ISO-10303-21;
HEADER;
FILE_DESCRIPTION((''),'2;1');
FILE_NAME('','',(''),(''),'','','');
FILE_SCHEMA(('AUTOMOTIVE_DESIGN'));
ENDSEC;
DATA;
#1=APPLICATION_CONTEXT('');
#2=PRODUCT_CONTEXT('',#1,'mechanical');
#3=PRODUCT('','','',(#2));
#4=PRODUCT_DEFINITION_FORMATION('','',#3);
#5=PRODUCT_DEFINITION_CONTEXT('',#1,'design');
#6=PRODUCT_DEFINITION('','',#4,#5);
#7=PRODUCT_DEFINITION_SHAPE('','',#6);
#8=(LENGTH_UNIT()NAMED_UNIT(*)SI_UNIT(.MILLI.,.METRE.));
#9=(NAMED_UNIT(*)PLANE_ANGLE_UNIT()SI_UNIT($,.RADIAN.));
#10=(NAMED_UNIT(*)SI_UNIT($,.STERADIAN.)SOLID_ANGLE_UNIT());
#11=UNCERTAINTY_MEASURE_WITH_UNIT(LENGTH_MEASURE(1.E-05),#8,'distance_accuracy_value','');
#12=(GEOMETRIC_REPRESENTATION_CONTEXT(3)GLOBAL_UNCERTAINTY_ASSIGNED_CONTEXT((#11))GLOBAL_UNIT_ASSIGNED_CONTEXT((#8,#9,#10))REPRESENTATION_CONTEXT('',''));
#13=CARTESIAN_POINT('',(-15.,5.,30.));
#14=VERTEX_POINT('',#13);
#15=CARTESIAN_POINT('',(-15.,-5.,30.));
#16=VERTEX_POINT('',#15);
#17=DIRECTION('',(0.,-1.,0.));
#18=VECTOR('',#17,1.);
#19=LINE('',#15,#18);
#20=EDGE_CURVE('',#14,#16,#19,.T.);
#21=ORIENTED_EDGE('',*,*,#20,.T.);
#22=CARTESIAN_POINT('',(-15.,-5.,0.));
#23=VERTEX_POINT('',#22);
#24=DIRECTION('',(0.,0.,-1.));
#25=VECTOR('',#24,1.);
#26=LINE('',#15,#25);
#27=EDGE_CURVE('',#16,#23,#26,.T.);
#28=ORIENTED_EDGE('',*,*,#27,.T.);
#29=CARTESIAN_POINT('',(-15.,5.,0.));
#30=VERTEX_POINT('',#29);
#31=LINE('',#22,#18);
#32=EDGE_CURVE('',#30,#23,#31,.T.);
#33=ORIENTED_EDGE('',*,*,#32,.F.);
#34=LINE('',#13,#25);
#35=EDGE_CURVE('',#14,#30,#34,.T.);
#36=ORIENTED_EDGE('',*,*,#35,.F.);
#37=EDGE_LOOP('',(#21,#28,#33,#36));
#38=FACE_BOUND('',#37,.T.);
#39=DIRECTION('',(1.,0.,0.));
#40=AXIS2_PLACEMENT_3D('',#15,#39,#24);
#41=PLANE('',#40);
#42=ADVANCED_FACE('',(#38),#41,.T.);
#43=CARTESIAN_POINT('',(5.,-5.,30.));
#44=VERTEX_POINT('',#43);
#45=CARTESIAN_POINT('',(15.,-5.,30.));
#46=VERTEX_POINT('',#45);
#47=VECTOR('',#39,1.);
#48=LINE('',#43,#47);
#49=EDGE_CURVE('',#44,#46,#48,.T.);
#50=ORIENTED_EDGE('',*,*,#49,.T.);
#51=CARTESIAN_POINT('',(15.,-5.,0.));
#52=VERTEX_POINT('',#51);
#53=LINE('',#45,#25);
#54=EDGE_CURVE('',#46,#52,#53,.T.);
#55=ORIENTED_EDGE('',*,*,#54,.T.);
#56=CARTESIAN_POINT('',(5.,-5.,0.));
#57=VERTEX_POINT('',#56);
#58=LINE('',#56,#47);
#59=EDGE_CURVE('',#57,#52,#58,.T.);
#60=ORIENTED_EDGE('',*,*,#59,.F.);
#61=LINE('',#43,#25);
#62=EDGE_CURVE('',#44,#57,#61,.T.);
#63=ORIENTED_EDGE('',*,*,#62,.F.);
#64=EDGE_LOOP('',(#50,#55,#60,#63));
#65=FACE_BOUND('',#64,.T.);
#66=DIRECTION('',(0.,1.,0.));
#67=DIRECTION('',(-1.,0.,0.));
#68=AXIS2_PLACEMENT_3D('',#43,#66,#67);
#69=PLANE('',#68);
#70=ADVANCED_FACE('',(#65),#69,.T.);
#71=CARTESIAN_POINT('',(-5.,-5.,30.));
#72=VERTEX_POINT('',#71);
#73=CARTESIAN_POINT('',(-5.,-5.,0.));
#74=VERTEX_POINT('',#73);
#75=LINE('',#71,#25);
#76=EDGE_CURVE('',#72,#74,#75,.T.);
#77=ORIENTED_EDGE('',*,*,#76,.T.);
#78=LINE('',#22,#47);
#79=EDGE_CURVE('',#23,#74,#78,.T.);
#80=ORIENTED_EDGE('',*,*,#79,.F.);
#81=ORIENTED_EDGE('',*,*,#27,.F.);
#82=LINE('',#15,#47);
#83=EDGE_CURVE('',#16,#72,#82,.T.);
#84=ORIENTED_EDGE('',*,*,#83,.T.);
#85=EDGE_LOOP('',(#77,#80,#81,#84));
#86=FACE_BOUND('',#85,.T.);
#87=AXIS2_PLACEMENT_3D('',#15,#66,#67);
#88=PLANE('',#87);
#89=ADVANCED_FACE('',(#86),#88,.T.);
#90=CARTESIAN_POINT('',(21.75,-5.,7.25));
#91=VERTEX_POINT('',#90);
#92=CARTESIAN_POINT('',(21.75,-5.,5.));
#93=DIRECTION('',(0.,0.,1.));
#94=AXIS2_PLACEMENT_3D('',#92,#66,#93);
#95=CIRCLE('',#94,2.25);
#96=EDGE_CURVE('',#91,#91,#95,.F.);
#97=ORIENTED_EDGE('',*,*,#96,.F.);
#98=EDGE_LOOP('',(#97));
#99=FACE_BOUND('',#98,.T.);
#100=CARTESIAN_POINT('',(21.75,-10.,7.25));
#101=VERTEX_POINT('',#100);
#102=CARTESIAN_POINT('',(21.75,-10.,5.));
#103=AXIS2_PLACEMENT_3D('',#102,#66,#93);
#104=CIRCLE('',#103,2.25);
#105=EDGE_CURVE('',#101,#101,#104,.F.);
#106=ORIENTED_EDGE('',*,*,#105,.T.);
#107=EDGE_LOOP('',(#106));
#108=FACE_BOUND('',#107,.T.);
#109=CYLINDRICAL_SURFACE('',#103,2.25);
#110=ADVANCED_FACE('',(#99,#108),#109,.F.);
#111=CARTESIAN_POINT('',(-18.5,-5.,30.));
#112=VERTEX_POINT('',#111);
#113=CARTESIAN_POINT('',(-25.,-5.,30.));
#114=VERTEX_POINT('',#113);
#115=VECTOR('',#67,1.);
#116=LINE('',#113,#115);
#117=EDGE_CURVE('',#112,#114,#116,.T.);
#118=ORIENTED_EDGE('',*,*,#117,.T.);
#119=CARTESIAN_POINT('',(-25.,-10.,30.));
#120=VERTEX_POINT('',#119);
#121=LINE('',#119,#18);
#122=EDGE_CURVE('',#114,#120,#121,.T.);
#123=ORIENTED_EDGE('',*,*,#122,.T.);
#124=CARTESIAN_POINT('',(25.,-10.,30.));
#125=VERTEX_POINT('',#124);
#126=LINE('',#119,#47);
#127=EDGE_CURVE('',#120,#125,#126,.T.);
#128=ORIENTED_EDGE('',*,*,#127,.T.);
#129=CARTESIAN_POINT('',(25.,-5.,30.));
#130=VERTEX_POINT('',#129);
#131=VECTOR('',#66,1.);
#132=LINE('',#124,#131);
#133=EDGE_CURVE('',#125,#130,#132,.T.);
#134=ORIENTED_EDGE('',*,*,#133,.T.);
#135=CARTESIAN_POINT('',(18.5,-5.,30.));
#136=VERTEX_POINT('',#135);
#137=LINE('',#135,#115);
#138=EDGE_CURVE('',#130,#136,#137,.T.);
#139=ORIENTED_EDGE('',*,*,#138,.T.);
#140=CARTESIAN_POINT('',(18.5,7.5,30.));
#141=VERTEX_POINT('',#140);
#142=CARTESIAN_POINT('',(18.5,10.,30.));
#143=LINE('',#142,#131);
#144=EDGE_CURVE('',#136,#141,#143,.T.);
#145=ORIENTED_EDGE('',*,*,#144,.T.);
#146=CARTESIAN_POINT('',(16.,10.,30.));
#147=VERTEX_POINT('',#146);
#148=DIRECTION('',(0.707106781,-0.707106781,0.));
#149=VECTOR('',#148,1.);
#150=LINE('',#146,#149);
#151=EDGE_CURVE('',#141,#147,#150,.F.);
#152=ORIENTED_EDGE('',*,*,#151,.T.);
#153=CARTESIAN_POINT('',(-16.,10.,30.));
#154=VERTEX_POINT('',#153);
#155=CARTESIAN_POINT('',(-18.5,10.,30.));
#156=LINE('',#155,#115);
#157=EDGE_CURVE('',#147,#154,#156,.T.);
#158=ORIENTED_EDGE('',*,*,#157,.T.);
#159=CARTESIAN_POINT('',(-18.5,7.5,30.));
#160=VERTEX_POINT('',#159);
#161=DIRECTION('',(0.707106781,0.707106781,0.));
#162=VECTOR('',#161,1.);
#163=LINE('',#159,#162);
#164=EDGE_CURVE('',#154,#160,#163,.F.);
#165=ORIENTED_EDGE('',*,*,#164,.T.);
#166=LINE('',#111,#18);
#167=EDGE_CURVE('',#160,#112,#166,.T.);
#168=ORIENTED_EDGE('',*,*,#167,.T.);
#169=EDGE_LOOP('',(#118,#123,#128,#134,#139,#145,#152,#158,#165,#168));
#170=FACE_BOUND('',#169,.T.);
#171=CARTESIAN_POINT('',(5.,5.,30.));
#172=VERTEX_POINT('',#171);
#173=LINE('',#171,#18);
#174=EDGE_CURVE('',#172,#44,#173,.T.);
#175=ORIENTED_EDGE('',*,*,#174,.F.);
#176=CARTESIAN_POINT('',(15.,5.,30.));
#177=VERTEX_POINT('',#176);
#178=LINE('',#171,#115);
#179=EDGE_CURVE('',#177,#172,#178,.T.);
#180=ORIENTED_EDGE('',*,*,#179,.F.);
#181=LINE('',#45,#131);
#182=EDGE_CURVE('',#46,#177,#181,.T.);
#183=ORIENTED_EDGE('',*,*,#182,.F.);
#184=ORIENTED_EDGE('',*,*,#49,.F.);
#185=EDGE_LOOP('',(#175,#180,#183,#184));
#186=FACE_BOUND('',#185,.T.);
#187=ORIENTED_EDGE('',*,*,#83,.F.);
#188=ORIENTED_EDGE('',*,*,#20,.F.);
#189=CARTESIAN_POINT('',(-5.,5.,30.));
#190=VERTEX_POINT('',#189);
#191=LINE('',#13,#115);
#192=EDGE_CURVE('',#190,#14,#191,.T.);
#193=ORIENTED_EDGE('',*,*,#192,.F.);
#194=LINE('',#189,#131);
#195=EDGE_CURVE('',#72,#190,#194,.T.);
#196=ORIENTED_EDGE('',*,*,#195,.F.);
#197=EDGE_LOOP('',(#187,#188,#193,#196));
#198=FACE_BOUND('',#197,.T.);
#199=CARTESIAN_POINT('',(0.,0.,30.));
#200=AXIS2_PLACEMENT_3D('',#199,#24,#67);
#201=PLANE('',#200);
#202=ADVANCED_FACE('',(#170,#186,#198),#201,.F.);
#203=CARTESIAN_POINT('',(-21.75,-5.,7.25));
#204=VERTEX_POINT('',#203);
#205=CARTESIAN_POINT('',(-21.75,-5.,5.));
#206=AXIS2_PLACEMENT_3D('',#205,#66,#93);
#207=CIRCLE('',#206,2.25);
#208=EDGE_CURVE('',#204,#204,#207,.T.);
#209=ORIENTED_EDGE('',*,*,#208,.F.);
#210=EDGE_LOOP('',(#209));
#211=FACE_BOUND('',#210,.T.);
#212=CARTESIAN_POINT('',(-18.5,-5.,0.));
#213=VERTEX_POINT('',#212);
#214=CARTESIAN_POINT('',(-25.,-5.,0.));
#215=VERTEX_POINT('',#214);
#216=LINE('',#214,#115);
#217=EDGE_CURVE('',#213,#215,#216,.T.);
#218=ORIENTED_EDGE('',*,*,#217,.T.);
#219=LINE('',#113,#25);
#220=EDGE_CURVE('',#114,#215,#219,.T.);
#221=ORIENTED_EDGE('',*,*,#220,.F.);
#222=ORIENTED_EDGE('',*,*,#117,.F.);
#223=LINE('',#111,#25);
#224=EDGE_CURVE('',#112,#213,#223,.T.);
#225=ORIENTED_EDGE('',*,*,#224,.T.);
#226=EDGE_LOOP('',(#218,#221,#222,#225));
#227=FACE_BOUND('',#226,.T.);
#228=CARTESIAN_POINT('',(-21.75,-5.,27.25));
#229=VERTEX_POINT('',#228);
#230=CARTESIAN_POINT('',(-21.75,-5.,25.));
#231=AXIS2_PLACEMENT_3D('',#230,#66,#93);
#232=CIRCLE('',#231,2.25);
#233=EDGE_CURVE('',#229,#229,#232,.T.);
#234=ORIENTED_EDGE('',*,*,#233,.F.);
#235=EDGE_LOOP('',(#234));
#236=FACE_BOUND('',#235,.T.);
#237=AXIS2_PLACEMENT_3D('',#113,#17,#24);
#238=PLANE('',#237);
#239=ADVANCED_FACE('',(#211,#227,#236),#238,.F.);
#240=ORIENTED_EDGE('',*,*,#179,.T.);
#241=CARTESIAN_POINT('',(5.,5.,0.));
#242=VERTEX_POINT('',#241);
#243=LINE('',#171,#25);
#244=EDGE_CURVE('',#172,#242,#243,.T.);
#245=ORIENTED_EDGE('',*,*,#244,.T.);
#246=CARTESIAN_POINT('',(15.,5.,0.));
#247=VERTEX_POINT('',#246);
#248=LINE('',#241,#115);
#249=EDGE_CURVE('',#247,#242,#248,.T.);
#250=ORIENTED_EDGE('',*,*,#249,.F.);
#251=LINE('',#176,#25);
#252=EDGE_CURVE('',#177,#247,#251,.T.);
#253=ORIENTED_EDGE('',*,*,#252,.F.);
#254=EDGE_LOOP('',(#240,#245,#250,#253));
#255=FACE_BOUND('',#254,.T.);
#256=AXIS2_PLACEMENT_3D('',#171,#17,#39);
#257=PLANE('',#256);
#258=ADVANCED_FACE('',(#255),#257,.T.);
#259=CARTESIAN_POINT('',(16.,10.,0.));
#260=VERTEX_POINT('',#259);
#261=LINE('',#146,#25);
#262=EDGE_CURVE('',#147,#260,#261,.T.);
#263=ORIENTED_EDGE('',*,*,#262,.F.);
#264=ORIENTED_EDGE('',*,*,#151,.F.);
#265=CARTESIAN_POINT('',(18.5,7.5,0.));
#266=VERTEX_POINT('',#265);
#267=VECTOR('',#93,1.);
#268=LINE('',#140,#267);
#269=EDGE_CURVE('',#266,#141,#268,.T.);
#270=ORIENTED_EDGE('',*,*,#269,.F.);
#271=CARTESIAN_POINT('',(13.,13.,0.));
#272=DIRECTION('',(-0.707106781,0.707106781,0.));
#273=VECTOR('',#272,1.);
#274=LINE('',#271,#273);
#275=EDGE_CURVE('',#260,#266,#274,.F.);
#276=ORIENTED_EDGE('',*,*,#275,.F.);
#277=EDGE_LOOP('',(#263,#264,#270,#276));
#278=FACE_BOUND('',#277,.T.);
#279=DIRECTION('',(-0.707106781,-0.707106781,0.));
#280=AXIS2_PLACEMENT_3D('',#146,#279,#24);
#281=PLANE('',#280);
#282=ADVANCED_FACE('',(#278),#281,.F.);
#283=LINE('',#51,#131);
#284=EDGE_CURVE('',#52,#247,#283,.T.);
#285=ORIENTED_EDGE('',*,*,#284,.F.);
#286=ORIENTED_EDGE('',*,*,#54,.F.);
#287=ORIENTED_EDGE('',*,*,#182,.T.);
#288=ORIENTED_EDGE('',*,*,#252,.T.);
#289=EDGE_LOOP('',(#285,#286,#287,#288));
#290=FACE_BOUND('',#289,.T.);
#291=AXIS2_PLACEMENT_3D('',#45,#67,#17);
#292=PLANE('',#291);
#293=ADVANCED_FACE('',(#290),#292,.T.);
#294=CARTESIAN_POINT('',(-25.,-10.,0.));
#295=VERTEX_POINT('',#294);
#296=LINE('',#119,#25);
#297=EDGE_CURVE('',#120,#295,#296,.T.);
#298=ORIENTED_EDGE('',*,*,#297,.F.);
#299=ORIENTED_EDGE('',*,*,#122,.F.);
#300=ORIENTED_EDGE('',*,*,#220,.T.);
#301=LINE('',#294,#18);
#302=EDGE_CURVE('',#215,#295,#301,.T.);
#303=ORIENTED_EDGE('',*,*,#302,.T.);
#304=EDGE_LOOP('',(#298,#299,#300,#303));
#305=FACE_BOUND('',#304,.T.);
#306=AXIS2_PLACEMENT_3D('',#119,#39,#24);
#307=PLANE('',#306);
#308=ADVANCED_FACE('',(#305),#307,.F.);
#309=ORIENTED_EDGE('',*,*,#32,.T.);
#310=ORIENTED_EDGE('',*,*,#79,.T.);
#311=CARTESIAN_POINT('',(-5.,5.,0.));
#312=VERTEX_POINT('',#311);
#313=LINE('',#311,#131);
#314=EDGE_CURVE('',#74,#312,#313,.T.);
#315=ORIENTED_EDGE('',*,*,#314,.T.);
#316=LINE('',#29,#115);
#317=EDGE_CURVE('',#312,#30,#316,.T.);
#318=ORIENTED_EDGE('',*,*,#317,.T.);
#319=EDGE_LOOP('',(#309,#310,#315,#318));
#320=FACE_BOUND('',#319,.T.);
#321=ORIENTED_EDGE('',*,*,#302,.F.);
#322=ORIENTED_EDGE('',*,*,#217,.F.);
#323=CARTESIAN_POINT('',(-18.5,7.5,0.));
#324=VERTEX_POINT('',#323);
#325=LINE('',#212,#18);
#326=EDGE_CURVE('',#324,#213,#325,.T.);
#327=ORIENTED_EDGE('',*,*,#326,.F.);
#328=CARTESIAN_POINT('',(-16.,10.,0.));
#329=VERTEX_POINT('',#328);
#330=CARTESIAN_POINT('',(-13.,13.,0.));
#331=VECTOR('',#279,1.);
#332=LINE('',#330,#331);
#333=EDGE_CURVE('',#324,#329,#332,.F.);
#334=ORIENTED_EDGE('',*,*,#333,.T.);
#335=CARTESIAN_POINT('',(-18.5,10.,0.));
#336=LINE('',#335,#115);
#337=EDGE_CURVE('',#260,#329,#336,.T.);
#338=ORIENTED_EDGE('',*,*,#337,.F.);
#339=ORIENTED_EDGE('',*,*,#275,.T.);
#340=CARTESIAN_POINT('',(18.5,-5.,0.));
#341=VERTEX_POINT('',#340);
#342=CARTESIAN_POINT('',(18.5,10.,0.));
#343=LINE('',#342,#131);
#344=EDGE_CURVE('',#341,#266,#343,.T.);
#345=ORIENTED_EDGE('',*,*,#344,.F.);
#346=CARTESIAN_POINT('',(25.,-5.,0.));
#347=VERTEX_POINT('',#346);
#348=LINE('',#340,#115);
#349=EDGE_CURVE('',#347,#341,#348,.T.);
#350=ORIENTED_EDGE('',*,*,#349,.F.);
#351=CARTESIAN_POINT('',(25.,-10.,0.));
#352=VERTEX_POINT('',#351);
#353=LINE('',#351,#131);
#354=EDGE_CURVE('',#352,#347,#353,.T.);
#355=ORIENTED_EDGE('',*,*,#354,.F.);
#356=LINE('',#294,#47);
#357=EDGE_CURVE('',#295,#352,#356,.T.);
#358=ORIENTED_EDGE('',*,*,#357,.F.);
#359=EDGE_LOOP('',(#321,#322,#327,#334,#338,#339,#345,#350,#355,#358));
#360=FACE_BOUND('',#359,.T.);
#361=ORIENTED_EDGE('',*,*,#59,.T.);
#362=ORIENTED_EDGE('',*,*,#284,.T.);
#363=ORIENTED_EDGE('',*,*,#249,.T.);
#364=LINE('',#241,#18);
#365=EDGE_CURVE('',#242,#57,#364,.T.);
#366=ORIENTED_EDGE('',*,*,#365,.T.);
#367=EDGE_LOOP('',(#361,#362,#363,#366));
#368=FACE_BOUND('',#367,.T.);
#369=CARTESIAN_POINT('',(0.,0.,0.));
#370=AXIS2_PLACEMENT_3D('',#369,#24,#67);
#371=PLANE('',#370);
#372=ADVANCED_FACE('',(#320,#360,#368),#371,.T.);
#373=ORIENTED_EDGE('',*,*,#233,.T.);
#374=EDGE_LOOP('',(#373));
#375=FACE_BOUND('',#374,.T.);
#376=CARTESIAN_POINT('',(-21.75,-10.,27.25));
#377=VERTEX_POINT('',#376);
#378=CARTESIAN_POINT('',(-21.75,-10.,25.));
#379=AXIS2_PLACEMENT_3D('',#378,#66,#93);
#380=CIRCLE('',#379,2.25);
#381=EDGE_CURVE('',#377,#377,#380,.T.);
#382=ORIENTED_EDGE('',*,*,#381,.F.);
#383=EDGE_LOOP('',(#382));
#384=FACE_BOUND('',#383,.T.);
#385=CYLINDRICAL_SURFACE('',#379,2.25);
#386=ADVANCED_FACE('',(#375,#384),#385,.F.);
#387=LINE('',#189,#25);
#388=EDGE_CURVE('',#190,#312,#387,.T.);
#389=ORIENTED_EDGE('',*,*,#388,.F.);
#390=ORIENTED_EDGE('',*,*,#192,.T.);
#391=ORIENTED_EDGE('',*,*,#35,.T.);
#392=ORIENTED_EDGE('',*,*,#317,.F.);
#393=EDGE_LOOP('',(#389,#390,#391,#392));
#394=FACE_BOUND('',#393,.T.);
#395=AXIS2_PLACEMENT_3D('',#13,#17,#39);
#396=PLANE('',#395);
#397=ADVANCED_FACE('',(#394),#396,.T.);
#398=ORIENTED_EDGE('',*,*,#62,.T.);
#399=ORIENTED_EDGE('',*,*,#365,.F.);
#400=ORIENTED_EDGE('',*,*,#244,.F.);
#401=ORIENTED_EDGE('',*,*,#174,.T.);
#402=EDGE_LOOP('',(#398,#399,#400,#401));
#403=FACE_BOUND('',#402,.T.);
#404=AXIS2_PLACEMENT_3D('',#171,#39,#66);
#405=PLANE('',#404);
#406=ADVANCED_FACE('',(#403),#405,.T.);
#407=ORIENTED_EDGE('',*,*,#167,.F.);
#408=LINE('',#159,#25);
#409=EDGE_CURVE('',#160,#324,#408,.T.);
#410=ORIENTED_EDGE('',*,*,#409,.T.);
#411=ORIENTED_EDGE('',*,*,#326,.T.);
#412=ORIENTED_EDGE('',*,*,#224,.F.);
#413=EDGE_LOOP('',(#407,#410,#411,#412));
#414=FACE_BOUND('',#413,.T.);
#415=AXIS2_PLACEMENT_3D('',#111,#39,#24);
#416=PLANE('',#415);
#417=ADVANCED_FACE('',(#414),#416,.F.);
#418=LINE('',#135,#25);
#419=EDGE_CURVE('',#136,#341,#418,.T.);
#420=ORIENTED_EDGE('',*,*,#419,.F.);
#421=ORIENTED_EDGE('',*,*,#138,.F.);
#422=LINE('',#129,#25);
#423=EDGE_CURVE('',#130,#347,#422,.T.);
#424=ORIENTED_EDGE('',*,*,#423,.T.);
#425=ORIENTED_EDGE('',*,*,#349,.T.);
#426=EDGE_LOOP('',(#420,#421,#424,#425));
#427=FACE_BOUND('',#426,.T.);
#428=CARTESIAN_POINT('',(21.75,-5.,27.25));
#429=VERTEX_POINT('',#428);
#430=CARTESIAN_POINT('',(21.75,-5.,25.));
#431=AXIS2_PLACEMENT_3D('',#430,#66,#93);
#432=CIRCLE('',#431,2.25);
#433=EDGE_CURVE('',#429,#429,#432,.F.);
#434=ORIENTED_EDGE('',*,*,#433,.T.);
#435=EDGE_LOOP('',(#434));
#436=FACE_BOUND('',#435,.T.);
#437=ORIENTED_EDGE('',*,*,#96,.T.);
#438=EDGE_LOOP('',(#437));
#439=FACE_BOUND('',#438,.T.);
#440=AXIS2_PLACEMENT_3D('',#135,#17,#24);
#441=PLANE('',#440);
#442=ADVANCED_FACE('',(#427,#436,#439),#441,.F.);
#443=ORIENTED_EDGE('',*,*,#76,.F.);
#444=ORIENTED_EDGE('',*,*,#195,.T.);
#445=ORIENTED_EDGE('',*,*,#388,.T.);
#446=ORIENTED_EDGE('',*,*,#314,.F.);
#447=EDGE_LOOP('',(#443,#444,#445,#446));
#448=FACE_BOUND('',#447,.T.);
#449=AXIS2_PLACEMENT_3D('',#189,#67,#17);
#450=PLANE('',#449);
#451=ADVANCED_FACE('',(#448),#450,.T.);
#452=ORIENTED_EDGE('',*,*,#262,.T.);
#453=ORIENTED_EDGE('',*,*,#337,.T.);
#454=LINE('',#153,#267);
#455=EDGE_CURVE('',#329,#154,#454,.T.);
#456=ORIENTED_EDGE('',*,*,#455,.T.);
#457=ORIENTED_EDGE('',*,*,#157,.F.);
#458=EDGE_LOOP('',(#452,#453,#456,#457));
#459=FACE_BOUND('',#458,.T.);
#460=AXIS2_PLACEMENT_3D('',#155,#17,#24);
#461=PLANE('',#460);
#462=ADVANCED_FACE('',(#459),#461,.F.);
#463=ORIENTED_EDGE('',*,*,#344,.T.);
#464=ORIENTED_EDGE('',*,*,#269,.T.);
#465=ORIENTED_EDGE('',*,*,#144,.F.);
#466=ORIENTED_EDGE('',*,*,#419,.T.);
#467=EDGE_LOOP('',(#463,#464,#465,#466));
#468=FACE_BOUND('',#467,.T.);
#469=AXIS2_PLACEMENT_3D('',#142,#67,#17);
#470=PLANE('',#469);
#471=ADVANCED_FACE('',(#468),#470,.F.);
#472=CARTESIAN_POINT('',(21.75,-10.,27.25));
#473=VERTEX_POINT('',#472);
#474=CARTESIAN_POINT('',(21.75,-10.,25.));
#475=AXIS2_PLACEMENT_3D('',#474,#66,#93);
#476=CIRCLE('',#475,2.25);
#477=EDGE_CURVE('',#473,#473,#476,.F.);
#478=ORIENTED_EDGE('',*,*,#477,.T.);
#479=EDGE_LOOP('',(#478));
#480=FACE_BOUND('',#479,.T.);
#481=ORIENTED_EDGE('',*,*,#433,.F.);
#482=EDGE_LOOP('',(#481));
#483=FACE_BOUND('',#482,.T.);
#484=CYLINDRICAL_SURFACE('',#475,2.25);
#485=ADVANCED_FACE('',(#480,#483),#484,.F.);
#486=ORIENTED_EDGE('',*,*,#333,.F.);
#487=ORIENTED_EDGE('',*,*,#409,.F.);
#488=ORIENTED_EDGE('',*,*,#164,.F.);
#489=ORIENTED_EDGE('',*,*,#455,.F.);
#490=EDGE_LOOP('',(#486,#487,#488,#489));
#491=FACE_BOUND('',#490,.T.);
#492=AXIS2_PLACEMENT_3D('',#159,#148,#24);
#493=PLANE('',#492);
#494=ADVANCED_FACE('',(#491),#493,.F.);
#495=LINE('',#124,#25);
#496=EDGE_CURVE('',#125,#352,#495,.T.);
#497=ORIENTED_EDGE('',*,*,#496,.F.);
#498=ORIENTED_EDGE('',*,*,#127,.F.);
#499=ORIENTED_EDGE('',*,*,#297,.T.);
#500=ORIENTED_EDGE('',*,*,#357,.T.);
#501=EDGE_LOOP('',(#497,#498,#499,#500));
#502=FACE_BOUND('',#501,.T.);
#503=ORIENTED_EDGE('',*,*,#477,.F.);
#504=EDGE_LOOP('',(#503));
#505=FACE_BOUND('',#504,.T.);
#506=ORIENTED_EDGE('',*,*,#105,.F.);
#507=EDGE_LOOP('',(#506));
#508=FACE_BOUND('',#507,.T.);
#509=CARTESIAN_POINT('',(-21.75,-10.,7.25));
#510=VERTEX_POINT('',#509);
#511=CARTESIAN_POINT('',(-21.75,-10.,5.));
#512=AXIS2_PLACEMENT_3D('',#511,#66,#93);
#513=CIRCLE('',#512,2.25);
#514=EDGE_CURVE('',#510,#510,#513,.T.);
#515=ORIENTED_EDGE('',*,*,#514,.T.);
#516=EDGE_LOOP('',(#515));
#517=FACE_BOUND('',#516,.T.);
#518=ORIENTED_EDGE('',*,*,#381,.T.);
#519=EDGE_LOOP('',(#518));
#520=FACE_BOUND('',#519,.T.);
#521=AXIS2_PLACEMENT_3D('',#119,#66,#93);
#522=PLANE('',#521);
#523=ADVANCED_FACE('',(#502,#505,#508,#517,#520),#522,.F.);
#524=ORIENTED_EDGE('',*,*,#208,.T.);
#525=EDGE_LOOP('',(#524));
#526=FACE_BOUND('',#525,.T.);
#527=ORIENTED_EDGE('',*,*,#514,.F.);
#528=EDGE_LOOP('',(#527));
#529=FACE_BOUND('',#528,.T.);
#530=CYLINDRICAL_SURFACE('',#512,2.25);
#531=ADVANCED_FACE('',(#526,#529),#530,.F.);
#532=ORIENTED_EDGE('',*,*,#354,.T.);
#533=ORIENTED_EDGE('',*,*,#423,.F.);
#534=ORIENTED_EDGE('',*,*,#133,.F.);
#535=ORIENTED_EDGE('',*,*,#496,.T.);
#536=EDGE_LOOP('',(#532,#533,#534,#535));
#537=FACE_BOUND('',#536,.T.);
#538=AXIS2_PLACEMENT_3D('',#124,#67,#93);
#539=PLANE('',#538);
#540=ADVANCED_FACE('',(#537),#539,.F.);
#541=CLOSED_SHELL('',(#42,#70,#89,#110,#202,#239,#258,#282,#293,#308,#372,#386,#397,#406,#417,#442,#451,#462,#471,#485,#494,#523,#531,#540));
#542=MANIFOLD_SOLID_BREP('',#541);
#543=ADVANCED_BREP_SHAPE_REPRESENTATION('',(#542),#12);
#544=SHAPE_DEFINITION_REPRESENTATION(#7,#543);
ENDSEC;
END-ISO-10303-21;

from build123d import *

# Parameters (mm, degrees)
SKETCH2_W           = 10
SKETCH2_H           = 10
BOSS_EXTRUDE1_DEPTH = 30
CHAMFER1_SIZE       = 2.5
SKETCH3_R           = 2.25
CUT_EXTRUDE1_DEPTH  = 6


with BuildPart() as part:
    # Sketch2 → Boss-Extrude1 (new body)
    with BuildSketch(Plane.XY):
        Polygon((-25, -10), (25, -10), (25, -5), (18.5, -5), (18.5, 10), (-18.5, 10), (-18.5, -5), (-25, -5), align=None)
        with Locations((-10, 0)):
            Rectangle(SKETCH2_W, SKETCH2_H, mode=Mode.SUBTRACT)
        with Locations((10, 0)):
            Rectangle(SKETCH2_W, SKETCH2_H, mode=Mode.SUBTRACT)
    extrude(amount=BOSS_EXTRUDE1_DEPTH)

    # Chamfer1
    chamfer1_edges = [part.edges().sort_by_distance(p)[0] for p in [
        (-18.5, 10, 15),
        (18.5, 10, 15),
    ]]
    chamfer(chamfer1_edges, length=CHAMFER1_SIZE)

    # Sketch3 → Cut-Extrude1 (cut, through all)
    with BuildSketch(Plane(origin=(0, -5, 0), x_dir=(1, 0, 0), z_dir=(0, 1, 0))):
        with Locations((-21.75, -5)):
            Circle(SKETCH3_R)
        with Locations((-21.75, -25)):
            Circle(SKETCH3_R)
        with Locations((21.75, -25)):
            Circle(SKETCH3_R)
        with Locations((21.75, -5)):
            Circle(SKETCH3_R)
    extrude(amount=-CUT_EXTRUDE1_DEPTH, mode=Mode.SUBTRACT)


solid = part.part
